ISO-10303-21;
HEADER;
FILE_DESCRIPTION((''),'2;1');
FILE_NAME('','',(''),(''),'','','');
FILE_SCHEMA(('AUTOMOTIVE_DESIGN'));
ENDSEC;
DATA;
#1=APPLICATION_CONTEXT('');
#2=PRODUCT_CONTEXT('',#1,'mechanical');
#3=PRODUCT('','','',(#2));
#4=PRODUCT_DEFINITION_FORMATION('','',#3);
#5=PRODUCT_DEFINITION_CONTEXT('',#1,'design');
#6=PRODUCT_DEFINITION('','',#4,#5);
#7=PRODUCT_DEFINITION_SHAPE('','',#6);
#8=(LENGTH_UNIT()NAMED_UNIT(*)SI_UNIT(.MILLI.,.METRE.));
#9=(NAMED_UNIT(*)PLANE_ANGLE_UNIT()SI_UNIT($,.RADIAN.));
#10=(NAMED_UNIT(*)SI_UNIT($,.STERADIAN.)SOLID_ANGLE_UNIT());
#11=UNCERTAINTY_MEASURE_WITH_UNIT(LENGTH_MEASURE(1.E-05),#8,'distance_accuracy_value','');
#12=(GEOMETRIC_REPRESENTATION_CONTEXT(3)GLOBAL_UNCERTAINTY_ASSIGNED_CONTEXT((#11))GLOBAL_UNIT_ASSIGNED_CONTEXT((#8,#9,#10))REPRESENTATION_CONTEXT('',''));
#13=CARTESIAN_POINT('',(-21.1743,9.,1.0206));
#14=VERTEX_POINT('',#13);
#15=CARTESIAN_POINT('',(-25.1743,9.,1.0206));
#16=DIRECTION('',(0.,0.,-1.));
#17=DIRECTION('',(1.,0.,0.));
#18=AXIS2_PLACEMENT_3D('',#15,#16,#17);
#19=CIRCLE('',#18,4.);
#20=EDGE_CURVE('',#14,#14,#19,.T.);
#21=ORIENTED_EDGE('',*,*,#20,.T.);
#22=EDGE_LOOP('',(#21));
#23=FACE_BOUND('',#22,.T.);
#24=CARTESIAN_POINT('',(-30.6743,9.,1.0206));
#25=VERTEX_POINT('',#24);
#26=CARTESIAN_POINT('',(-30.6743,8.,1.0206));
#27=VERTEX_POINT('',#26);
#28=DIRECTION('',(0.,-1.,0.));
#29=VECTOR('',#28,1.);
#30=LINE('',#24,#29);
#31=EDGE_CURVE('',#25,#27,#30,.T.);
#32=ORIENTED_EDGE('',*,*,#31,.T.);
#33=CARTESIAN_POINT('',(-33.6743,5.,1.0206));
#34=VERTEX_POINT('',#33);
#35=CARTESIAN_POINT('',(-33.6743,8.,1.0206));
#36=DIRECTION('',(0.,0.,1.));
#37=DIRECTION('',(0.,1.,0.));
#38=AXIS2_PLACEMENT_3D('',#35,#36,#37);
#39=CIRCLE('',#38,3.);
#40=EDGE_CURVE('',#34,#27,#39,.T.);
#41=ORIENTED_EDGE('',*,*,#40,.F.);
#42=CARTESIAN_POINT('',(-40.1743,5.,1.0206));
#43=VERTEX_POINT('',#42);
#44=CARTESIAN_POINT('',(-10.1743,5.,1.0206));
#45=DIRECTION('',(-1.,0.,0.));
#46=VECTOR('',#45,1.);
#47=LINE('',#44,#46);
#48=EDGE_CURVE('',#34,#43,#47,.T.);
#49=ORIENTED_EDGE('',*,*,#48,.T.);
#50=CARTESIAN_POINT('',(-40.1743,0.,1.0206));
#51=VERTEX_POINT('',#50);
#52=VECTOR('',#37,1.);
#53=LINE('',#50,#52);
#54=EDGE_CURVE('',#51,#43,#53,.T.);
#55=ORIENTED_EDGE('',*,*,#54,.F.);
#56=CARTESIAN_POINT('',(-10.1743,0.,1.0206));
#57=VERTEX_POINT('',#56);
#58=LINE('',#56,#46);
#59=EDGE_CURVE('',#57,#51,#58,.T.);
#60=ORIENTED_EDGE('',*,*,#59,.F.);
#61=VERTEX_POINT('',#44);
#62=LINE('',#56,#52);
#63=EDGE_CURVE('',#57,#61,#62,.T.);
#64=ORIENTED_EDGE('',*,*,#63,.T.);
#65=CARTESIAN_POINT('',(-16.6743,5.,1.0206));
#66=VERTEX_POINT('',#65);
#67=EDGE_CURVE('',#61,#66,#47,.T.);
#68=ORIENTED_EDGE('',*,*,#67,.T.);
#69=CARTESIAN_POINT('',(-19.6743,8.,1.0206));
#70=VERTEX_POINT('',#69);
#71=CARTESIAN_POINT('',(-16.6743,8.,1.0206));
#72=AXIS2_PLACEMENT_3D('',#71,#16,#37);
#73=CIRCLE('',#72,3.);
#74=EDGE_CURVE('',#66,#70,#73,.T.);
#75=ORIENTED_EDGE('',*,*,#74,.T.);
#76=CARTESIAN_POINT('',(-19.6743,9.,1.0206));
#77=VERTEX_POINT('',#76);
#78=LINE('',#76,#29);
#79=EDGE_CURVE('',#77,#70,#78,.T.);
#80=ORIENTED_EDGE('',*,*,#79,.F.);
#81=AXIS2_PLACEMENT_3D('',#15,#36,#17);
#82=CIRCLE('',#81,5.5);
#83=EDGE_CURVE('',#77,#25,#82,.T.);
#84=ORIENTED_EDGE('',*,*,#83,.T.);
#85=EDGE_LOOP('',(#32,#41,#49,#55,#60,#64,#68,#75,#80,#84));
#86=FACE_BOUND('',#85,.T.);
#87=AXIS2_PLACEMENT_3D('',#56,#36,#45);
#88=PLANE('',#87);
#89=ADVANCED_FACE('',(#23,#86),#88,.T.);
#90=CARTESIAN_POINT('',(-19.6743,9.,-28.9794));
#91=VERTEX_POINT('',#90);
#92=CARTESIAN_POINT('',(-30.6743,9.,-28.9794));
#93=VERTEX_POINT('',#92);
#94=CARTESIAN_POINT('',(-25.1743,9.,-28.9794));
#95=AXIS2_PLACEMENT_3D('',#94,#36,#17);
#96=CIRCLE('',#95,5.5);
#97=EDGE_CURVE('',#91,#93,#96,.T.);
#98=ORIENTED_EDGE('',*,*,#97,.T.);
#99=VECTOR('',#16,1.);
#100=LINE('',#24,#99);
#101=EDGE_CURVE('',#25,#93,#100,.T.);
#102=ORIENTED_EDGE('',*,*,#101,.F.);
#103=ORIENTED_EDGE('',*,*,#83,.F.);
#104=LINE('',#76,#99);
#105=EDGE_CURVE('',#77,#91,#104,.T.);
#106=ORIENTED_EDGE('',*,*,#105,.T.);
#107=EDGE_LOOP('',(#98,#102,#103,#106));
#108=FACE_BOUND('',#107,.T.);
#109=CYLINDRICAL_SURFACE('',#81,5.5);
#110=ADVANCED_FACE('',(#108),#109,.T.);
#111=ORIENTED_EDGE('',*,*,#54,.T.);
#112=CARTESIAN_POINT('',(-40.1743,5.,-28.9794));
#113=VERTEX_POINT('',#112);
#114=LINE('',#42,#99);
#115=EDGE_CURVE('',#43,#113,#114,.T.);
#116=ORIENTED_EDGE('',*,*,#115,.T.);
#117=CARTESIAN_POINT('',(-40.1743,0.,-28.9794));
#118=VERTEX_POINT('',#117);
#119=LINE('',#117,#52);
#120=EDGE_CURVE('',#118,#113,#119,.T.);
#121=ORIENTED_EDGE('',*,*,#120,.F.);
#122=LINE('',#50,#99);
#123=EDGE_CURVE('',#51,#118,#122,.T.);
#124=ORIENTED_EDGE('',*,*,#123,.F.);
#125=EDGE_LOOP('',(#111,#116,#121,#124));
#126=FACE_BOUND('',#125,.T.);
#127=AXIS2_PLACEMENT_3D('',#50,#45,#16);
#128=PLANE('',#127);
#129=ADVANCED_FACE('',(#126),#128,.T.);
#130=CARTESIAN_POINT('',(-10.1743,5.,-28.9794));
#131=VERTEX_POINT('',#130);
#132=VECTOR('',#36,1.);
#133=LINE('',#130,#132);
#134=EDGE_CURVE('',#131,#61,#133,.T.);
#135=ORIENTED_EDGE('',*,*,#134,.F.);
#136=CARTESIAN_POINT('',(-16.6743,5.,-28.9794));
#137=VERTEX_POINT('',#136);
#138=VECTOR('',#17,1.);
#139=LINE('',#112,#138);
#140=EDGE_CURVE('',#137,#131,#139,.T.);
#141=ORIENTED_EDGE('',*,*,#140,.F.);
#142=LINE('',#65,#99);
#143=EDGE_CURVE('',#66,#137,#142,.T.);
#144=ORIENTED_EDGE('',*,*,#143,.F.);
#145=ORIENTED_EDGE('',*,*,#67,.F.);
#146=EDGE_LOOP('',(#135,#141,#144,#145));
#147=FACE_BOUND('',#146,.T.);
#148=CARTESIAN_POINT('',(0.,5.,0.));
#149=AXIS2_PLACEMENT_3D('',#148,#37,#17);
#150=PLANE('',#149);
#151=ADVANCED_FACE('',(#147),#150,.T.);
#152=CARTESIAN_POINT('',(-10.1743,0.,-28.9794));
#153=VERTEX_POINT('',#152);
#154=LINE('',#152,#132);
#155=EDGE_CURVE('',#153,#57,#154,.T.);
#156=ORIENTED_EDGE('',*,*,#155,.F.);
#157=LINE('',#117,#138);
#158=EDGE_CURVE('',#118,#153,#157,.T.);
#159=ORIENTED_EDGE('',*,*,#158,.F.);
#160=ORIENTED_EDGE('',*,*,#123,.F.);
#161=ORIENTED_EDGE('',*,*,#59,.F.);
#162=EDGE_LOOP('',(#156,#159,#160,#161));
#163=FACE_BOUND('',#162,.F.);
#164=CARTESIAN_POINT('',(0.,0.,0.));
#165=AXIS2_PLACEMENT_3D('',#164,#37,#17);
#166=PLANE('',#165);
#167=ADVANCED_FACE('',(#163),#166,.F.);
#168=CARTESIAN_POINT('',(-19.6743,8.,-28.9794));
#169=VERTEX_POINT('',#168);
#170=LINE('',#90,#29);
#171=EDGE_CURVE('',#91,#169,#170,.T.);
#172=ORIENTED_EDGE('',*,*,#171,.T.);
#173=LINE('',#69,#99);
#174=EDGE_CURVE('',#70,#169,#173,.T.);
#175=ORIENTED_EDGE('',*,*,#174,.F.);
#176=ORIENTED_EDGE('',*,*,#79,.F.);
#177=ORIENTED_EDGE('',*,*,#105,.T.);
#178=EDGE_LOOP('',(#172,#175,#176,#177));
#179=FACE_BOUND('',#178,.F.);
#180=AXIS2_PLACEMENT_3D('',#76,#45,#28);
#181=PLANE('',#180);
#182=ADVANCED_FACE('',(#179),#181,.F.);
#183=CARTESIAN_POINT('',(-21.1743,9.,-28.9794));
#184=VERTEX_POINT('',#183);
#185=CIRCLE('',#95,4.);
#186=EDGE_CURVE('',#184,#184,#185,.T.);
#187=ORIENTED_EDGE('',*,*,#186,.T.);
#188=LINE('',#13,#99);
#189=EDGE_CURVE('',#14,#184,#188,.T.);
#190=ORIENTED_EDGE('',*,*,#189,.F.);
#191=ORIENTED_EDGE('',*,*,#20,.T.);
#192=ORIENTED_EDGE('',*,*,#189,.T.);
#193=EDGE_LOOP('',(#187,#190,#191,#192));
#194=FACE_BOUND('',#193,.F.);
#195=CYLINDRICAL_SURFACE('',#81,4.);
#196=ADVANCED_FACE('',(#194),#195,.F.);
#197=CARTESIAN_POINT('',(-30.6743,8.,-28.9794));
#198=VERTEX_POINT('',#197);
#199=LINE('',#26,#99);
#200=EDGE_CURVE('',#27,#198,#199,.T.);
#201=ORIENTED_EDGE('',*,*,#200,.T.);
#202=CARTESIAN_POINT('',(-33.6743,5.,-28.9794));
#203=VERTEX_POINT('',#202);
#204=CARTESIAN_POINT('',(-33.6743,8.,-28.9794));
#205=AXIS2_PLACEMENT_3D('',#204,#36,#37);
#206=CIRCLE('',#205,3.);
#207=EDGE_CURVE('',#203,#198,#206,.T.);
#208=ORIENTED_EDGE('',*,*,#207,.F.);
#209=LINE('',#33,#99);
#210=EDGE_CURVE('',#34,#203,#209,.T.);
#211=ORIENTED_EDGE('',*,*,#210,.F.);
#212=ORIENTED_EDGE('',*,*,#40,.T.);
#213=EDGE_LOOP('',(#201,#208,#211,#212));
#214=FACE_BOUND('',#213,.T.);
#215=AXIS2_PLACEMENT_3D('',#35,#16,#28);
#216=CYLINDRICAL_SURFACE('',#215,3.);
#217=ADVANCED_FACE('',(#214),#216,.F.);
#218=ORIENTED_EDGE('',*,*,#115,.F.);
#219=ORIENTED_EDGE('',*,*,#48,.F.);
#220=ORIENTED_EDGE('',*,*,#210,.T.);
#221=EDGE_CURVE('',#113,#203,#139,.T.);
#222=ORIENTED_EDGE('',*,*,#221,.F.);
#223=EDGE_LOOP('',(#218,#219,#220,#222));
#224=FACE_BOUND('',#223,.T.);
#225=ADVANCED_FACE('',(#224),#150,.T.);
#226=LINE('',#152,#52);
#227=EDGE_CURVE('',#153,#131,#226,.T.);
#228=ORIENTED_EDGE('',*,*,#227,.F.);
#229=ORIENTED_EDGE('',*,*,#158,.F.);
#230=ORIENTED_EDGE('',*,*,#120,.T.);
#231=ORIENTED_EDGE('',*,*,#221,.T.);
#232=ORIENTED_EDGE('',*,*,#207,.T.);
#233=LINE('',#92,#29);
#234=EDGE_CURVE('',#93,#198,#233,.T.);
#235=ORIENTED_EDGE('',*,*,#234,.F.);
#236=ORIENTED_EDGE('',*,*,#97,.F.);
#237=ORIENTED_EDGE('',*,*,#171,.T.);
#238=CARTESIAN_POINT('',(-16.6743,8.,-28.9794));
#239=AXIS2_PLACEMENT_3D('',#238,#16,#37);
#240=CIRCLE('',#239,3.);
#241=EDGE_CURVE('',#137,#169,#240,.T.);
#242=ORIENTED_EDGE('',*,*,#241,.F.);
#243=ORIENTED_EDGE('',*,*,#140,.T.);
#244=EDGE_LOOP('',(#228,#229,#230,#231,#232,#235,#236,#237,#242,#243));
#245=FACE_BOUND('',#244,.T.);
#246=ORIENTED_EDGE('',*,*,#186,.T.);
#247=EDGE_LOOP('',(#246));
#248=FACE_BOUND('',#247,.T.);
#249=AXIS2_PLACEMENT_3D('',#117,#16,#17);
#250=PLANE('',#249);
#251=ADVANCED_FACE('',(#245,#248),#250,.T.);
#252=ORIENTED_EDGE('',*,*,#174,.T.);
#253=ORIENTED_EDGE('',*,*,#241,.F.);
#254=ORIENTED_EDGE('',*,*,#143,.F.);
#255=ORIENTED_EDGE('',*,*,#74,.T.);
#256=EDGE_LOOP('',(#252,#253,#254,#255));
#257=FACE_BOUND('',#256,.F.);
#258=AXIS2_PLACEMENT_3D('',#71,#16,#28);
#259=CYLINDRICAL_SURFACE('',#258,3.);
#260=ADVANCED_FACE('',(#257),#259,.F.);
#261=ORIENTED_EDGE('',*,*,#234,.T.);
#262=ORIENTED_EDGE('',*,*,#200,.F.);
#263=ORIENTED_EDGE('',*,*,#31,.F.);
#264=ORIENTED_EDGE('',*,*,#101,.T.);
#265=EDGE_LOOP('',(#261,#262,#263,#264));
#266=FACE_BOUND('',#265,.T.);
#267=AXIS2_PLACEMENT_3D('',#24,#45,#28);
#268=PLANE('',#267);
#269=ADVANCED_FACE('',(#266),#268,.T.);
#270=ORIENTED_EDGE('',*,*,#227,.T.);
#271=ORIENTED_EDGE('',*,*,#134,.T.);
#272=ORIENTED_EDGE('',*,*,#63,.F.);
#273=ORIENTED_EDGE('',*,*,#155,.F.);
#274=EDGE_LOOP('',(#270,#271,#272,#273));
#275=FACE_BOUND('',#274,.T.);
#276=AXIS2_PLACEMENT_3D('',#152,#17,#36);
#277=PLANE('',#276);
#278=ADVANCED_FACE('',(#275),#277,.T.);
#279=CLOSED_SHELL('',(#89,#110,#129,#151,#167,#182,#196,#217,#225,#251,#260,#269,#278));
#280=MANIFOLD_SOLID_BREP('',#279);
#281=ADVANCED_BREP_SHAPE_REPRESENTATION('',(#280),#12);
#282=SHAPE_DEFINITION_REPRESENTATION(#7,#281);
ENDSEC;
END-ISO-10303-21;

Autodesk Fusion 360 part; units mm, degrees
sketch "Sketch1" plane through (0, 0, 0) normal (0, 1, 0) x (1, 0, 0)
  line L0 (-40.1743, 28.9794) -> (-10.1743, 28.9794)
  line L1 (-10.1743, 28.9794) -> (-10.1743, -1.0206)
  line L2 (-10.1743, -1.0206) -> (-40.1743, -1.0206)
  line L3 (-40.1743, -1.0206) -> (-40.1743, 28.9794)
  dimension "d1" = 30
  dimension "d2" = 30
extrude "Extrude1" add sketch "Sketch1" along normal blind 5
sketch "Sketch2" plane through (0, 0, 1.0206) normal (0, 0, 1) x (1, 0, 0)
  line L0 (-40.1743, 0) -> (-10.1743, 0)
  line L1 (-10.1743, 0) -> (-10.1743, 5)
  line L2 (-10.1743, 5) -> (-40.1743, 5)
  line L3 (-40.1743, 5) -> (-40.1743, 0)
  circle A0 centre (-25.1743, 9) radius 4
  circle A1 centre (-25.1743, 9) radius 5.5
  line L4 (-19.6743, 9) -> (-19.6743, 5)
  line L5 (-30.6743, 9) -> (-30.6743, 4.9999)
  dimension "d8" = 8
  dimension "d9" = 11
extrude "Extrude2" add sketch "Sketch2" against normal blind 30 contours L2 A1 L5 | L2 A1 L4 | L2 A1 picked at (-30.1523, 9.3387)
fillet "Fillet1" radius 3 2 edges at (-19.6743, 5, -13.9794) (-30.6743, 5, -13.9794)
